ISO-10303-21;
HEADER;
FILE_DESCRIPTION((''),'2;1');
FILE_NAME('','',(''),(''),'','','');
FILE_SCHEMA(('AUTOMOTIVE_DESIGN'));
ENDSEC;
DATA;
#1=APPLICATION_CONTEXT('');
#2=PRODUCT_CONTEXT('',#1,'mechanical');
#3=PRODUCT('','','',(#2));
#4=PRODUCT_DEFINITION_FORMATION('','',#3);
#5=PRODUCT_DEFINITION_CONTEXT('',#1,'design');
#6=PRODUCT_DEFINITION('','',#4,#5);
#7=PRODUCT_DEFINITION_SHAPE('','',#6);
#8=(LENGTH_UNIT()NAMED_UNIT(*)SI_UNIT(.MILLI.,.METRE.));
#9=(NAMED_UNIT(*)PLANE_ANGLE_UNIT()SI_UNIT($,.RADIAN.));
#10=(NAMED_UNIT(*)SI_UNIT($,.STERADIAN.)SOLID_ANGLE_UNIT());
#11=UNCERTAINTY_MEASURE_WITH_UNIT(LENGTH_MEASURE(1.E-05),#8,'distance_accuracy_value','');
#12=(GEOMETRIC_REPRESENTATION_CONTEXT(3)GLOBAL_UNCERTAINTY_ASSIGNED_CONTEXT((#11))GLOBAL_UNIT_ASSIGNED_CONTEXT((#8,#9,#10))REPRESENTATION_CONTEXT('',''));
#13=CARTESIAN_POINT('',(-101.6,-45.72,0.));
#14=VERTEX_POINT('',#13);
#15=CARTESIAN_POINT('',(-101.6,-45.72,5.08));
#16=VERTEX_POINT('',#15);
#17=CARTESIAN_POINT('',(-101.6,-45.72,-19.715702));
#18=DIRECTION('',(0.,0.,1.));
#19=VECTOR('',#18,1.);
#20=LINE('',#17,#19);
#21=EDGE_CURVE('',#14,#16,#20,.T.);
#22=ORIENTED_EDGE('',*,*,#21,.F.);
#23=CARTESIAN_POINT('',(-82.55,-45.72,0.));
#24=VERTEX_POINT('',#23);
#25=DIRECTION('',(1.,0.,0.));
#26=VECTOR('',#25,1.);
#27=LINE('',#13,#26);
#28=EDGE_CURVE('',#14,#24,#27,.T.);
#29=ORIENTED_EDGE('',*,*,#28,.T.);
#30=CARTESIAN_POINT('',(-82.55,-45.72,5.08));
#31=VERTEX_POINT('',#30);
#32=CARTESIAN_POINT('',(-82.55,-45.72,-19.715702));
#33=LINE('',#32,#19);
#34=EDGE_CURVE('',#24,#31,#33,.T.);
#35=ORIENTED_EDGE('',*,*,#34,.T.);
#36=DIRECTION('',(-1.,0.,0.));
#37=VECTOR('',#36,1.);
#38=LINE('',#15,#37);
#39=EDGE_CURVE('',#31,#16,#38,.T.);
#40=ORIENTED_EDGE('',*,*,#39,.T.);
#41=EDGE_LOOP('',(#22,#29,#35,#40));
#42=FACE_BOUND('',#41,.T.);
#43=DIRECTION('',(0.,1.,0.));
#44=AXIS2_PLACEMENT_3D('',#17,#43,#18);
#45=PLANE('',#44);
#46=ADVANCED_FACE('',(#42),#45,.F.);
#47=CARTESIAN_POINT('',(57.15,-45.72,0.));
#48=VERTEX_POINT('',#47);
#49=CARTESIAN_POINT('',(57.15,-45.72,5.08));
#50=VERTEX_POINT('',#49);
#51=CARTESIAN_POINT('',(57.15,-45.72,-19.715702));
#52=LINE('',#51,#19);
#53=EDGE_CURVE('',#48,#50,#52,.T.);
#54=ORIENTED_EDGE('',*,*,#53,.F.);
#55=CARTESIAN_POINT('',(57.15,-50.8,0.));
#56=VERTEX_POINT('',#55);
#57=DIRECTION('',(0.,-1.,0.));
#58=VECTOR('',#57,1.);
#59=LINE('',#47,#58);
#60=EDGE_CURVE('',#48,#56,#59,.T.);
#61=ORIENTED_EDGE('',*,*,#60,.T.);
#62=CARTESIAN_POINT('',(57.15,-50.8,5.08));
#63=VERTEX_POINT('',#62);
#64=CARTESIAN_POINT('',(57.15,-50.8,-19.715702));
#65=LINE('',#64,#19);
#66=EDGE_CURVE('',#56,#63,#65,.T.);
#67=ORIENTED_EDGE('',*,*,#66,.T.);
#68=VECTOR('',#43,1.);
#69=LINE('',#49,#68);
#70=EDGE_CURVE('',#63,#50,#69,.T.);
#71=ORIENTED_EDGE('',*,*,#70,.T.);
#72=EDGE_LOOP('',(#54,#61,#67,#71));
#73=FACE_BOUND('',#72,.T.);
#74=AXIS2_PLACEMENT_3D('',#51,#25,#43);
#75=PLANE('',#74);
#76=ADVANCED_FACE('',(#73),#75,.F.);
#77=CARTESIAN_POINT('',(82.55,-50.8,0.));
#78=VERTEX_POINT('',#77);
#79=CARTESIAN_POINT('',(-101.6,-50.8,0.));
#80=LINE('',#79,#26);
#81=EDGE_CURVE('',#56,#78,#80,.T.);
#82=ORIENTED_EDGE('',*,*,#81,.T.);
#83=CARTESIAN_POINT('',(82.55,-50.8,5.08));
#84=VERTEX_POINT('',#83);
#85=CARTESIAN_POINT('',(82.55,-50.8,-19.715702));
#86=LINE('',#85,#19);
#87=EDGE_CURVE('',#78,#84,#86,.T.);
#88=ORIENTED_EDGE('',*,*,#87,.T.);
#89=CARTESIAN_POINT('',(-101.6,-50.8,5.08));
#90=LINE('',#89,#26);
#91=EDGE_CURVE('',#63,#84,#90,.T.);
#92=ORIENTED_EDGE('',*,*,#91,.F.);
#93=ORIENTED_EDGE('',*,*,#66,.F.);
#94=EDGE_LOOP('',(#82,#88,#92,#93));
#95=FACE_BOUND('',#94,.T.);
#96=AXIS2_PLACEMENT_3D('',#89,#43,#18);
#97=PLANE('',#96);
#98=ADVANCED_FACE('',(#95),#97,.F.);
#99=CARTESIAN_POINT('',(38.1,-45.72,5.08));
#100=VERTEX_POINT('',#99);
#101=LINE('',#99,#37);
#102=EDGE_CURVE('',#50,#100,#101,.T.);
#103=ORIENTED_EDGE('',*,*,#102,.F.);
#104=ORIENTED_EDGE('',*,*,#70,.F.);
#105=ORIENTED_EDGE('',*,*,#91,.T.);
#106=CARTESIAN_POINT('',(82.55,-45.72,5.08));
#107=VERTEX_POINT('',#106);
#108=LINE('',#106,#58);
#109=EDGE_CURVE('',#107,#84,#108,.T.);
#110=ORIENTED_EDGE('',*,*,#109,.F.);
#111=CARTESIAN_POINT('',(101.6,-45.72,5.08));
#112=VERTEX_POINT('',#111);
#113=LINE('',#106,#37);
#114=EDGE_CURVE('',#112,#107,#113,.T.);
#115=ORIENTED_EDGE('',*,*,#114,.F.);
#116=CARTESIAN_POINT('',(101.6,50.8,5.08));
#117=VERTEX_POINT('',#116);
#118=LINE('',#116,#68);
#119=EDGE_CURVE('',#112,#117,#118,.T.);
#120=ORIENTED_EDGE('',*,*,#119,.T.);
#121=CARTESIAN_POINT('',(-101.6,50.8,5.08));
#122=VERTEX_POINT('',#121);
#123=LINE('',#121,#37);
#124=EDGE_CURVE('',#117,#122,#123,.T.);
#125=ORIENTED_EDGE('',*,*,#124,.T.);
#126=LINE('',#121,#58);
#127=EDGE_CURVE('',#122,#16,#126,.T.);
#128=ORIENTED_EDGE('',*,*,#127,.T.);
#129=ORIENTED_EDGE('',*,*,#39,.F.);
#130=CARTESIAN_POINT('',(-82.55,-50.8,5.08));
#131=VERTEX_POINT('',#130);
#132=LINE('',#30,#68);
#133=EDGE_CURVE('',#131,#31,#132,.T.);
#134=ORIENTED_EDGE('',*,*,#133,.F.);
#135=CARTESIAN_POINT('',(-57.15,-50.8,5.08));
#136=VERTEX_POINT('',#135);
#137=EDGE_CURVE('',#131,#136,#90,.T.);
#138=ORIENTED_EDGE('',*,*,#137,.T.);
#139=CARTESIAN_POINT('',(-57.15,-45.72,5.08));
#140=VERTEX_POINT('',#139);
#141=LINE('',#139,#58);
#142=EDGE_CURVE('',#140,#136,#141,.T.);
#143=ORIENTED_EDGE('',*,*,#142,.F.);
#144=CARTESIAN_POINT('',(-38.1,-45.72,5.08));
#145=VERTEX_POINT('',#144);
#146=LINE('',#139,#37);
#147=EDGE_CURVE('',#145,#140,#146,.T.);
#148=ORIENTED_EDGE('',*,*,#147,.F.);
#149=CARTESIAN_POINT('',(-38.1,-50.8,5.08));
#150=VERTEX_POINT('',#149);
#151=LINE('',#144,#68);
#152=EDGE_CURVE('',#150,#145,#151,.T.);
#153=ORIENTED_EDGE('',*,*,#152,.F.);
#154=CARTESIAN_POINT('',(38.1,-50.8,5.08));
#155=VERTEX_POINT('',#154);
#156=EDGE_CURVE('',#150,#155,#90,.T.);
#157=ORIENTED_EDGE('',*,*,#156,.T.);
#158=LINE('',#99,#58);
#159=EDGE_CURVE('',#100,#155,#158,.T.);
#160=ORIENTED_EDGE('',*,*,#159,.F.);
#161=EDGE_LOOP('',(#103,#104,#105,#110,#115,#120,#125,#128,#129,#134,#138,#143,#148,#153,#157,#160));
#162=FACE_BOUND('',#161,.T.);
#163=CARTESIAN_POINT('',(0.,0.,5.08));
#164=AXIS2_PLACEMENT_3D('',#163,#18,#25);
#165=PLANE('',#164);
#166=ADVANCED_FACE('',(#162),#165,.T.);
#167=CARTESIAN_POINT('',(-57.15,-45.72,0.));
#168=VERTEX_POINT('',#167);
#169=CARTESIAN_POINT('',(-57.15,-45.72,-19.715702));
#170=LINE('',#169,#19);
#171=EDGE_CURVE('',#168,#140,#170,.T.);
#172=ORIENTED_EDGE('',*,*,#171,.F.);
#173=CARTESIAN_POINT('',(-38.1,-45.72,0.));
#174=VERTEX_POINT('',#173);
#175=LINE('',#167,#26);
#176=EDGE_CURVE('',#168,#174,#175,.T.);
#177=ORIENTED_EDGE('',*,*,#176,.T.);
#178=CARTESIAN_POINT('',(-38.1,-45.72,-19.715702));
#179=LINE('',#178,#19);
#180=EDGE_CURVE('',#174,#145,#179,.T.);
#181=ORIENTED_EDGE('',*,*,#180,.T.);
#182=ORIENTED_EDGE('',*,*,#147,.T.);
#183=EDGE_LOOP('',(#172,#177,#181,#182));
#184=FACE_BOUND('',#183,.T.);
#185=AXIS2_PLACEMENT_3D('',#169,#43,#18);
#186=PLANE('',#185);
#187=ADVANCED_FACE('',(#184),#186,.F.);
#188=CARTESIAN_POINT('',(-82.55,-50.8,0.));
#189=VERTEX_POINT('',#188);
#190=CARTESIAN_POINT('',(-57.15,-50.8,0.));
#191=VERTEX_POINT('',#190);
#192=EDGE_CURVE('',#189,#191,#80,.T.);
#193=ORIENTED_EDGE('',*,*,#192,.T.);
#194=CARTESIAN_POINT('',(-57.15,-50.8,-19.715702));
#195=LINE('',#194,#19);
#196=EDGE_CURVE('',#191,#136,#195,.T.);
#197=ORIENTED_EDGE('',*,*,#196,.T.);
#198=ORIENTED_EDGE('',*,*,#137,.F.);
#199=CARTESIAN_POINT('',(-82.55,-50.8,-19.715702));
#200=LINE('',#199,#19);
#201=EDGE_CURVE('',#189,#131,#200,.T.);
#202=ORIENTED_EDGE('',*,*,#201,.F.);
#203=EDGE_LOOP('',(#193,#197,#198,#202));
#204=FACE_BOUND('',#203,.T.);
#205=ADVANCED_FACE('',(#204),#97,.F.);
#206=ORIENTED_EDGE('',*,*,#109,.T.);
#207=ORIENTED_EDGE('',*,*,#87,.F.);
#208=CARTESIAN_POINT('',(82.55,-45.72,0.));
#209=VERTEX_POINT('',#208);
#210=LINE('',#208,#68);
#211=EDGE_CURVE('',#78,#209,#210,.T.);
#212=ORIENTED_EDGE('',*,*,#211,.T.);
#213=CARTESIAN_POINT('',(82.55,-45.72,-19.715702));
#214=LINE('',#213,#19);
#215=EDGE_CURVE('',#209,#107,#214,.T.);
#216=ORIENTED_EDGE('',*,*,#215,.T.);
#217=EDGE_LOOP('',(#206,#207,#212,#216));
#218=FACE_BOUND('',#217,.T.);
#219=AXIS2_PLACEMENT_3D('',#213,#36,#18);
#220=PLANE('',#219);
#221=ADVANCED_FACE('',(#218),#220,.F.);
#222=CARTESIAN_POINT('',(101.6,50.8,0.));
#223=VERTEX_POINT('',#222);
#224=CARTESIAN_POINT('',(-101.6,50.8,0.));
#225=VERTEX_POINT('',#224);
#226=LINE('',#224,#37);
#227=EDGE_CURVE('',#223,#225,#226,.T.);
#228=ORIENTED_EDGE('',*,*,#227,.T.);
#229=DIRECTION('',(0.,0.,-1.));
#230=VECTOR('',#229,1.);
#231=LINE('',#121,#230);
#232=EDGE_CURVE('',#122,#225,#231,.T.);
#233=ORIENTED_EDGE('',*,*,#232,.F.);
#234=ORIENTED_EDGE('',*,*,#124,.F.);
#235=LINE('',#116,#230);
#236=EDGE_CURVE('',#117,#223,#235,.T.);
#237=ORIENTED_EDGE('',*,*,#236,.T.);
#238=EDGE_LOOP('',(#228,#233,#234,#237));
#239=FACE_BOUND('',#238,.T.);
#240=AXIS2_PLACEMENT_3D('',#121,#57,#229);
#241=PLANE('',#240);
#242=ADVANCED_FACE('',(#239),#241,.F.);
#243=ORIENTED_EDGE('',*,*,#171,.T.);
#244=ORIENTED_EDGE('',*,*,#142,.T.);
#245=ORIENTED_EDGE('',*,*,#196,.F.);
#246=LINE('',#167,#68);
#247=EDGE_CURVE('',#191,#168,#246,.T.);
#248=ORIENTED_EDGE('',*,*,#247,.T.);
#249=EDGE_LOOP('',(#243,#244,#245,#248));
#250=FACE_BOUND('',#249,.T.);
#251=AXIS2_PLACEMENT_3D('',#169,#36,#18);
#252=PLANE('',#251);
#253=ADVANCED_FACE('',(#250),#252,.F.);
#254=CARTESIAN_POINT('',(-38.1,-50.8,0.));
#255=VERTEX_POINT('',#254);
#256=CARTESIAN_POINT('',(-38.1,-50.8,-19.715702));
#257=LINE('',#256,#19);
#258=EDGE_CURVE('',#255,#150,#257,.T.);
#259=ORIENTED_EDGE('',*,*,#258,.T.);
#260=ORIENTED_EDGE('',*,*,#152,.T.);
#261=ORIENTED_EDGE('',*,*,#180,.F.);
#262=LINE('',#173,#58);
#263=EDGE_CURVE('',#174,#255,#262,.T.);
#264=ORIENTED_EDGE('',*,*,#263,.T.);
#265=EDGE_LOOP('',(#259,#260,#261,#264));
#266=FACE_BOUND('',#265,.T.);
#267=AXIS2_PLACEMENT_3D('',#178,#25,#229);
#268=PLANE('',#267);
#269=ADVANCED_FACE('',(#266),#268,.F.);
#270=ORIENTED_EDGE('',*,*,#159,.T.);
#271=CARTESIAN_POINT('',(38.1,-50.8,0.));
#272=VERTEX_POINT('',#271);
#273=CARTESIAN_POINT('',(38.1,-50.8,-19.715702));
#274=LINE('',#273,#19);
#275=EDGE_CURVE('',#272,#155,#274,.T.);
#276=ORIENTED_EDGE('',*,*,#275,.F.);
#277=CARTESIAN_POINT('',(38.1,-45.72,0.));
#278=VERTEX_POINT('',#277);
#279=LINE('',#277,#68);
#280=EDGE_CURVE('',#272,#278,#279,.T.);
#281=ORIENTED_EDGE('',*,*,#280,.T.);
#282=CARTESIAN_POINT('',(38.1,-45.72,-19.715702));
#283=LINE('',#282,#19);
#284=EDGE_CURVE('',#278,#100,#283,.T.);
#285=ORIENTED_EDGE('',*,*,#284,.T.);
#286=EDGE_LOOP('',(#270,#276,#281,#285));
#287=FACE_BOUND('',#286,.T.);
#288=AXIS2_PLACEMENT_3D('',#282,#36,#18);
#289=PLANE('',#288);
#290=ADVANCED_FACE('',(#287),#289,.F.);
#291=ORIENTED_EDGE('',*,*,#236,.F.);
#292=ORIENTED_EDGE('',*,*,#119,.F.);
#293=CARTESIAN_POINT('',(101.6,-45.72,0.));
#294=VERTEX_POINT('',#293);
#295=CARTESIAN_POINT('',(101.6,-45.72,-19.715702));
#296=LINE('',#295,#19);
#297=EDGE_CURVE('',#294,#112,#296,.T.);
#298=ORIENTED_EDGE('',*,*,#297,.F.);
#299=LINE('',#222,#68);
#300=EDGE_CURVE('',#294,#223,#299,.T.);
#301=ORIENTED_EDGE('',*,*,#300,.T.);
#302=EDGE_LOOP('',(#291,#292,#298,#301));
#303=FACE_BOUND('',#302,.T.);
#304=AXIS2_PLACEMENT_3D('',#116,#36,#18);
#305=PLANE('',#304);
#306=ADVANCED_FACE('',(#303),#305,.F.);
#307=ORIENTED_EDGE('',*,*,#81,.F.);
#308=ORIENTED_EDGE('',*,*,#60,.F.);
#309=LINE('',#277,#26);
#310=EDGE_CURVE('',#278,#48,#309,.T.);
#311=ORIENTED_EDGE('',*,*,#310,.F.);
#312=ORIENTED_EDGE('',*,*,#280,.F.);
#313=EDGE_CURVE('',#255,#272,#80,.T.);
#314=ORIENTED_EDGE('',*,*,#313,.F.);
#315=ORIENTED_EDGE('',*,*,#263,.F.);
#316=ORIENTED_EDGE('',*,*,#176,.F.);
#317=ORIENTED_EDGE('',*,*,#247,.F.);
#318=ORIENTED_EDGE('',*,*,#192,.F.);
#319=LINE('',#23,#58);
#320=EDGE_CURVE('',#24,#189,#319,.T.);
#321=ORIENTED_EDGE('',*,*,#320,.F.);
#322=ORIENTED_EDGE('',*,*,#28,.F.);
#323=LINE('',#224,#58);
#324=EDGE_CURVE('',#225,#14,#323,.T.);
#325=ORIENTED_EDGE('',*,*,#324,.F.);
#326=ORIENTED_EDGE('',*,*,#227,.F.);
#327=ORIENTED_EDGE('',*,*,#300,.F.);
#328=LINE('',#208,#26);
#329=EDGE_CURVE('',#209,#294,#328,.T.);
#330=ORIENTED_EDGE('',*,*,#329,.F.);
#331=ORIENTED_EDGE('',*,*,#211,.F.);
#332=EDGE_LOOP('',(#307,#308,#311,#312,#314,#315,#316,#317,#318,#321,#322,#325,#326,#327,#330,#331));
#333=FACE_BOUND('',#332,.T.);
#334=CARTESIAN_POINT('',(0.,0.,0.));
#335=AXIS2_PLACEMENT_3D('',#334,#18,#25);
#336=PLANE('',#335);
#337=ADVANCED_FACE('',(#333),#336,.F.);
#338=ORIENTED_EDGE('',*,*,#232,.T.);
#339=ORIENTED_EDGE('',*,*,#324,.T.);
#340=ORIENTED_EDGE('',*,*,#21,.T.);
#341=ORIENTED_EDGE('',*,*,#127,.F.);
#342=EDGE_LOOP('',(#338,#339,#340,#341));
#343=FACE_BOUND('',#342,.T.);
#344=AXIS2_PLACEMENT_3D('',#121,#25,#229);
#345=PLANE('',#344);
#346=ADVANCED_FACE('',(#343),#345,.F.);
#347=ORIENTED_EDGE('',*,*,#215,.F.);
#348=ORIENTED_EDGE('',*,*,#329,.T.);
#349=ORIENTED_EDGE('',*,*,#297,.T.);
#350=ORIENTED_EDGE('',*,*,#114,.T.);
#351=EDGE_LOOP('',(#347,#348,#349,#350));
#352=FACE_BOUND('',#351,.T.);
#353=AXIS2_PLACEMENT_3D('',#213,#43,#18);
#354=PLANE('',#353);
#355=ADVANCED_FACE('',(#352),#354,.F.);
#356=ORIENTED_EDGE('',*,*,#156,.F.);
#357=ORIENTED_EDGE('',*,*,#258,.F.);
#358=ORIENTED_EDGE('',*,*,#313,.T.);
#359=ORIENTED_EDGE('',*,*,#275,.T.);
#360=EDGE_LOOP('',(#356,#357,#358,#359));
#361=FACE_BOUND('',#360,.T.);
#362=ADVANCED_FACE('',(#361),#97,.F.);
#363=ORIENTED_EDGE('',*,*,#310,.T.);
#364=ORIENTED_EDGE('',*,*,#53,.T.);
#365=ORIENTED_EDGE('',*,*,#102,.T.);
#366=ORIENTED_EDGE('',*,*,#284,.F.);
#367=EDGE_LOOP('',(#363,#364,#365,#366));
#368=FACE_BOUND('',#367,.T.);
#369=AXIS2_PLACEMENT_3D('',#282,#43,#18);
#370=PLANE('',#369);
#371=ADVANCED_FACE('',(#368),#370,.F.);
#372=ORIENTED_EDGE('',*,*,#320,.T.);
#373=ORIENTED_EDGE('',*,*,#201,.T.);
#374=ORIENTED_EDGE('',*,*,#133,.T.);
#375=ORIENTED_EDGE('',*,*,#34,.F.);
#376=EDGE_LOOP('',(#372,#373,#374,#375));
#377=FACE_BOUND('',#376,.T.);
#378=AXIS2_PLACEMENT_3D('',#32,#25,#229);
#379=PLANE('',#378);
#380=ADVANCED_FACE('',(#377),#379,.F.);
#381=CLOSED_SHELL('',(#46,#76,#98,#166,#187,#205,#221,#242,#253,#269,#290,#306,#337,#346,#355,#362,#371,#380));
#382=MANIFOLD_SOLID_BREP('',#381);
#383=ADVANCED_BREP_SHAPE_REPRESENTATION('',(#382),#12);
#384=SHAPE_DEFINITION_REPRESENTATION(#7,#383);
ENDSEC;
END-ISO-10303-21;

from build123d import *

# Parameters (mm, degrees)
SKETCH1_W           = 203.2
SKETCH1_H           = 101.6
BOSS_EXTRUDE1_DEPTH = 5.08
SKETCH2_W           = 19.05
SKETCH2_H           = 5.08
CUT_EXTRUDE1_DEPTH  = 5.08


with BuildPart() as part:
    # Sketch1 → Boss-Extrude1 (new body)
    with BuildSketch(Plane.XY):
        Rectangle(SKETCH1_W, SKETCH1_H)
    extrude(amount=BOSS_EXTRUDE1_DEPTH)

    # Sketch2 → Cut-Extrude1 (cut)
    with BuildSketch(Plane.XY.offset(5.08)):
        with Locations((-92.075, -48.26)):
            Rectangle(SKETCH2_W, SKETCH2_H)
        with Locations((47.625, -48.26)):
            Rectangle(SKETCH2_W, SKETCH2_H)
        with Locations((92.075, -48.26)):
            Rectangle(SKETCH2_W, SKETCH2_H)
        with Locations((-47.625, -48.26)):
            Rectangle(SKETCH2_W, SKETCH2_H)
    extrude(amount=-CUT_EXTRUDE1_DEPTH, mode=Mode.SUBTRACT)


solid = part.part
